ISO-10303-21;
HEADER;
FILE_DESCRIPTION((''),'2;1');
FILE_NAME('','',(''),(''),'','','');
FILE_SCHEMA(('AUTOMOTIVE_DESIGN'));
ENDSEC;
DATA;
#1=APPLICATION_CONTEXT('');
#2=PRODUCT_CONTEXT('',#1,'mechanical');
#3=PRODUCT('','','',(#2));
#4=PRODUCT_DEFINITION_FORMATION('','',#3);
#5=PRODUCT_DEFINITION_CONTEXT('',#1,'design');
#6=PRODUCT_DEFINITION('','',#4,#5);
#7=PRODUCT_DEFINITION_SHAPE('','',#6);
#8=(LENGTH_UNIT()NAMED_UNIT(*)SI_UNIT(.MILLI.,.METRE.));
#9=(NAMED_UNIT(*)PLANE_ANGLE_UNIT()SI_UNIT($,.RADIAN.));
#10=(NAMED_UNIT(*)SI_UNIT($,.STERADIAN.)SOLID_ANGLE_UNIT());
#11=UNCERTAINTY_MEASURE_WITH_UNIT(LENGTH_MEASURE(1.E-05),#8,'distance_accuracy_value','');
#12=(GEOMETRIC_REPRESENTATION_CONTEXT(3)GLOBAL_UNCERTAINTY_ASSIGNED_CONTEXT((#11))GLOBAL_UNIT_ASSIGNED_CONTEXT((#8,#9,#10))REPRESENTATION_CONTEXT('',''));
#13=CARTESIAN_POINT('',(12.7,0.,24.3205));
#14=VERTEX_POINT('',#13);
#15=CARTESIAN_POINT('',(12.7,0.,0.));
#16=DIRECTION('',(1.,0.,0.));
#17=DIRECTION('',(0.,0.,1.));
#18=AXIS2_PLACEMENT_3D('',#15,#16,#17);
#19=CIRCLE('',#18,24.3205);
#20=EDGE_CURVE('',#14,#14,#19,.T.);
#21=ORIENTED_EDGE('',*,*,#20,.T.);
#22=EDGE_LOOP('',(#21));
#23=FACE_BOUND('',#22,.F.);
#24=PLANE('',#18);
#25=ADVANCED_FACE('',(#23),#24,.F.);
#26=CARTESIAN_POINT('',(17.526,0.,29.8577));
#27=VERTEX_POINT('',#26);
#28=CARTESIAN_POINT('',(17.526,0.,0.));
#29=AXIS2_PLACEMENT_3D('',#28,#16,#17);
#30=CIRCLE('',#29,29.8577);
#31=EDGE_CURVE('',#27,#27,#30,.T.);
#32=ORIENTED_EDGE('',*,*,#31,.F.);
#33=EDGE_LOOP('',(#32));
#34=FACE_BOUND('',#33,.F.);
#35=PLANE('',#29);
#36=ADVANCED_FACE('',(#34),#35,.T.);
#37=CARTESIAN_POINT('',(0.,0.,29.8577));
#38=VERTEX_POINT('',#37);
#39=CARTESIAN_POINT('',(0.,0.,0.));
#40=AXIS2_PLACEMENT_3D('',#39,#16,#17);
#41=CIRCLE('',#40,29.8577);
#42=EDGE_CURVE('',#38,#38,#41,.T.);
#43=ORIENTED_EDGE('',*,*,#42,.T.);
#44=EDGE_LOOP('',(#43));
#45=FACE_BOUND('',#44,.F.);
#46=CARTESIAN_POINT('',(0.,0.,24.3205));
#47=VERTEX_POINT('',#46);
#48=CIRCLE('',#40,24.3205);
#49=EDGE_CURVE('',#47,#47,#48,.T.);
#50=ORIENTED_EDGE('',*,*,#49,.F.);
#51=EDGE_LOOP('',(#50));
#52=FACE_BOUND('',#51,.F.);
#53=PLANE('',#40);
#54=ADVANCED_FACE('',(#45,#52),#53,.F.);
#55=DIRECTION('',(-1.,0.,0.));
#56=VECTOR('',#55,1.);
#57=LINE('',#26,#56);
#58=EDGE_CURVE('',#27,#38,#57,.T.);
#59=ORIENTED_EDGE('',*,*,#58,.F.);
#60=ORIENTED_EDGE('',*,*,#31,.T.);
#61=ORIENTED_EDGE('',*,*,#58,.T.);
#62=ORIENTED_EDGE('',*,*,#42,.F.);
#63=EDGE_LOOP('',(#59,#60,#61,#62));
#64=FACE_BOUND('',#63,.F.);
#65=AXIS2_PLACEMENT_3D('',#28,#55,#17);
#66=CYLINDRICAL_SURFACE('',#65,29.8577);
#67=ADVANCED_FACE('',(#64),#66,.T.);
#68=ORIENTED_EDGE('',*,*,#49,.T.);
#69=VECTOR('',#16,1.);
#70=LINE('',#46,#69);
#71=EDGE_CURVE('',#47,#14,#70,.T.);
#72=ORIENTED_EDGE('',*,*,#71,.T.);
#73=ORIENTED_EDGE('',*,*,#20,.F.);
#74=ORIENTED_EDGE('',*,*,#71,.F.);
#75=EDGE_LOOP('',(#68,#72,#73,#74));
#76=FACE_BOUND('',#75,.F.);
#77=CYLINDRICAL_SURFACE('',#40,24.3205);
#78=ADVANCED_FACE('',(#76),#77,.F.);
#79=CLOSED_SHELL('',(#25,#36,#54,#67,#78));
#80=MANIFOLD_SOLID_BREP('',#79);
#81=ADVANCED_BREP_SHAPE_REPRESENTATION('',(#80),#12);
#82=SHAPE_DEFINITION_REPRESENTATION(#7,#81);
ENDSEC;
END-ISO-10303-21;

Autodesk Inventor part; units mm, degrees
ref_plane "YZ Plane" through (0, 0, 0) normal (1, 0, 0) x (0, 1, 0)
ref_plane "XZ Plane" through (0, 0, 0) normal (0, 1, 0) x (-1, 0, 0)
ref_plane "XY Plane" through (0, 0, 0) normal (0, 0, 1) x (1, 0, 0)
sketch "Sketch1" plane through (0, 0, 0) normal (0, 1, 0) x (-1, 0, 0)
  line L0 (0, 29.8577) -> (0, 24.3205)
  line L1 (0, 24.3205) -> (-12.7, 24.3205)
  line L2 (-12.7, 24.3205) -> (-12.7, 0)
  line L3 (-12.7, 0) -> (-17.526, 0)
  line L4 (-17.526, 0) -> (-17.526, 29.8577)
  line L5 (-17.526, 29.8577) -> (0, 29.8577)
  line L6 (0, 24.3205) -> (0, 0) construction
  line L7 (0, 0) -> (-12.7, 0)
  dimension "d0" = 48.641
  dimension "d1" = 5.5372
  dimension "d2" = 12.7
  dimension "d3" = 4.826
revolve "Revolve1" add sketch "Sketch1" angle 360 about axis through (0, 0, 0) along (1, 0, 0)
equation "\"d0\" = B"
equation "\"d1\" = C1"
equation "\"d2\" = J1"
equation "\"d3\" = K1"
equation "\"B\" = 48.641"
equation "\"C1\" = 5.5372"
equation "\"J1\" = 12.7"
equation "\"K1\" = 4.826"
equation "\"Size_Designation\" = 1.5"
properties part number "A1-18002-100-36 1.5in pipe cap" material "PVC-Piping"
